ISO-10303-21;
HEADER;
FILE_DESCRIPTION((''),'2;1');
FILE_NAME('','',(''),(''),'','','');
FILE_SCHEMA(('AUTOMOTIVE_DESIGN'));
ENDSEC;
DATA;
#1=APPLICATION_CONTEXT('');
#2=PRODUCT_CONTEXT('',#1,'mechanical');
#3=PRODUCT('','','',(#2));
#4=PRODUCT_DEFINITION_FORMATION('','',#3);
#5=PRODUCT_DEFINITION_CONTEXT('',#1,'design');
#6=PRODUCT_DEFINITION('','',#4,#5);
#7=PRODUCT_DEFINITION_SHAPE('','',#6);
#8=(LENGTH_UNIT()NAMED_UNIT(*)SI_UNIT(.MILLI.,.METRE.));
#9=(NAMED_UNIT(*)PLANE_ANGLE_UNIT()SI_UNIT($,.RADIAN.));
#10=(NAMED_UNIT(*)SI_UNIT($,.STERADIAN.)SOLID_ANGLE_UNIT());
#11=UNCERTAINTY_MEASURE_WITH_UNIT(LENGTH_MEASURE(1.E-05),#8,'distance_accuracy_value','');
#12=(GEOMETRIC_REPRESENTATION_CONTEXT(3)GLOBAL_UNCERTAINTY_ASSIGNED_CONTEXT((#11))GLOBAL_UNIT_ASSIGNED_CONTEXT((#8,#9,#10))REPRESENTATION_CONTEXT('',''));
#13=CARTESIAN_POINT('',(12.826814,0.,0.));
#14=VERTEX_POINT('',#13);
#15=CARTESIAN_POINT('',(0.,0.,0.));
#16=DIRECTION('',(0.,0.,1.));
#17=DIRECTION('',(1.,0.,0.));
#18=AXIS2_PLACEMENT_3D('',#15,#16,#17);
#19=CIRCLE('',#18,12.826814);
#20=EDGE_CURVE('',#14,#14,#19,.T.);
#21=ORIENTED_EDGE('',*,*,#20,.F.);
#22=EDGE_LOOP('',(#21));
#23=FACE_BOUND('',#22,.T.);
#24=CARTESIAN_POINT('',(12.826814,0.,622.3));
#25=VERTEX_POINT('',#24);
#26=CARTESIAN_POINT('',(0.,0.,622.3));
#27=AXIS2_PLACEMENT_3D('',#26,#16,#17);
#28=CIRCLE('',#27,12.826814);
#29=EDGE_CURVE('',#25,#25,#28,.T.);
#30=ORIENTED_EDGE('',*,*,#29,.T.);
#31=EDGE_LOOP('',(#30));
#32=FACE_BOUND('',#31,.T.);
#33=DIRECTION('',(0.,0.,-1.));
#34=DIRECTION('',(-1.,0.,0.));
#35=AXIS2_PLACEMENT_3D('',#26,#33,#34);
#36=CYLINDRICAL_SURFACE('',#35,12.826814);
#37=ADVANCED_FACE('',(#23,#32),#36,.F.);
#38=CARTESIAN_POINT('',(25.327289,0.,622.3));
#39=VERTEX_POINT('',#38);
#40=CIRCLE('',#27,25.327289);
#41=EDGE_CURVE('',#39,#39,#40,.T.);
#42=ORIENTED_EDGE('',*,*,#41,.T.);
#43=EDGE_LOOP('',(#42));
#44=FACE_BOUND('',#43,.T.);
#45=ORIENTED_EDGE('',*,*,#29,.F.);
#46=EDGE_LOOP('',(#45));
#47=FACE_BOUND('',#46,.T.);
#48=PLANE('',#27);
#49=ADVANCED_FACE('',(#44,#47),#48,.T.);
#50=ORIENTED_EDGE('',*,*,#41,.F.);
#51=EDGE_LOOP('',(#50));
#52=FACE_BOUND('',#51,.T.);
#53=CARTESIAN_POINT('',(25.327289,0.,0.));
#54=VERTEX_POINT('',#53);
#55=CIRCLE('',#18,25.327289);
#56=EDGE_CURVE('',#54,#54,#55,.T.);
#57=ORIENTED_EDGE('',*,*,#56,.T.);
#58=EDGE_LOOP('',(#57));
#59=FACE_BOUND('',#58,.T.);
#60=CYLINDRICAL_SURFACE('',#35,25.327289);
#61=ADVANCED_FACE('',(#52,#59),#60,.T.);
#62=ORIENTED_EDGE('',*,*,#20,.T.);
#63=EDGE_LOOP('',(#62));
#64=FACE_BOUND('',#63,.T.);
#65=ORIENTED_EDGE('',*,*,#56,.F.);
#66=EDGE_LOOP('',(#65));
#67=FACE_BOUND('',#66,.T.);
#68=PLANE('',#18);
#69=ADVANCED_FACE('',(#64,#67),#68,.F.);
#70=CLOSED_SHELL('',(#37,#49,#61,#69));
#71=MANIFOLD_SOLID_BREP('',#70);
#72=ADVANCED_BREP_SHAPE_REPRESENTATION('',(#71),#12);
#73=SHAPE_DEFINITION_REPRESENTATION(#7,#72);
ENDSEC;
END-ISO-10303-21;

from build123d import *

# Parameters (mm, degrees)
SKETCH1_R           = 25.32728946
SKETCH1_R_2         = 12.826813773
BOSS_EXTRUDE1_DEPTH = 622.3


with BuildPart() as part:
    # Sketch1 → Boss-Extrude1 (new body)
    with BuildSketch(Plane.XY):
        Circle(SKETCH1_R)
        Circle(SKETCH1_R_2, mode=Mode.SUBTRACT)
    extrude(amount=BOSS_EXTRUDE1_DEPTH)


solid = part.part
